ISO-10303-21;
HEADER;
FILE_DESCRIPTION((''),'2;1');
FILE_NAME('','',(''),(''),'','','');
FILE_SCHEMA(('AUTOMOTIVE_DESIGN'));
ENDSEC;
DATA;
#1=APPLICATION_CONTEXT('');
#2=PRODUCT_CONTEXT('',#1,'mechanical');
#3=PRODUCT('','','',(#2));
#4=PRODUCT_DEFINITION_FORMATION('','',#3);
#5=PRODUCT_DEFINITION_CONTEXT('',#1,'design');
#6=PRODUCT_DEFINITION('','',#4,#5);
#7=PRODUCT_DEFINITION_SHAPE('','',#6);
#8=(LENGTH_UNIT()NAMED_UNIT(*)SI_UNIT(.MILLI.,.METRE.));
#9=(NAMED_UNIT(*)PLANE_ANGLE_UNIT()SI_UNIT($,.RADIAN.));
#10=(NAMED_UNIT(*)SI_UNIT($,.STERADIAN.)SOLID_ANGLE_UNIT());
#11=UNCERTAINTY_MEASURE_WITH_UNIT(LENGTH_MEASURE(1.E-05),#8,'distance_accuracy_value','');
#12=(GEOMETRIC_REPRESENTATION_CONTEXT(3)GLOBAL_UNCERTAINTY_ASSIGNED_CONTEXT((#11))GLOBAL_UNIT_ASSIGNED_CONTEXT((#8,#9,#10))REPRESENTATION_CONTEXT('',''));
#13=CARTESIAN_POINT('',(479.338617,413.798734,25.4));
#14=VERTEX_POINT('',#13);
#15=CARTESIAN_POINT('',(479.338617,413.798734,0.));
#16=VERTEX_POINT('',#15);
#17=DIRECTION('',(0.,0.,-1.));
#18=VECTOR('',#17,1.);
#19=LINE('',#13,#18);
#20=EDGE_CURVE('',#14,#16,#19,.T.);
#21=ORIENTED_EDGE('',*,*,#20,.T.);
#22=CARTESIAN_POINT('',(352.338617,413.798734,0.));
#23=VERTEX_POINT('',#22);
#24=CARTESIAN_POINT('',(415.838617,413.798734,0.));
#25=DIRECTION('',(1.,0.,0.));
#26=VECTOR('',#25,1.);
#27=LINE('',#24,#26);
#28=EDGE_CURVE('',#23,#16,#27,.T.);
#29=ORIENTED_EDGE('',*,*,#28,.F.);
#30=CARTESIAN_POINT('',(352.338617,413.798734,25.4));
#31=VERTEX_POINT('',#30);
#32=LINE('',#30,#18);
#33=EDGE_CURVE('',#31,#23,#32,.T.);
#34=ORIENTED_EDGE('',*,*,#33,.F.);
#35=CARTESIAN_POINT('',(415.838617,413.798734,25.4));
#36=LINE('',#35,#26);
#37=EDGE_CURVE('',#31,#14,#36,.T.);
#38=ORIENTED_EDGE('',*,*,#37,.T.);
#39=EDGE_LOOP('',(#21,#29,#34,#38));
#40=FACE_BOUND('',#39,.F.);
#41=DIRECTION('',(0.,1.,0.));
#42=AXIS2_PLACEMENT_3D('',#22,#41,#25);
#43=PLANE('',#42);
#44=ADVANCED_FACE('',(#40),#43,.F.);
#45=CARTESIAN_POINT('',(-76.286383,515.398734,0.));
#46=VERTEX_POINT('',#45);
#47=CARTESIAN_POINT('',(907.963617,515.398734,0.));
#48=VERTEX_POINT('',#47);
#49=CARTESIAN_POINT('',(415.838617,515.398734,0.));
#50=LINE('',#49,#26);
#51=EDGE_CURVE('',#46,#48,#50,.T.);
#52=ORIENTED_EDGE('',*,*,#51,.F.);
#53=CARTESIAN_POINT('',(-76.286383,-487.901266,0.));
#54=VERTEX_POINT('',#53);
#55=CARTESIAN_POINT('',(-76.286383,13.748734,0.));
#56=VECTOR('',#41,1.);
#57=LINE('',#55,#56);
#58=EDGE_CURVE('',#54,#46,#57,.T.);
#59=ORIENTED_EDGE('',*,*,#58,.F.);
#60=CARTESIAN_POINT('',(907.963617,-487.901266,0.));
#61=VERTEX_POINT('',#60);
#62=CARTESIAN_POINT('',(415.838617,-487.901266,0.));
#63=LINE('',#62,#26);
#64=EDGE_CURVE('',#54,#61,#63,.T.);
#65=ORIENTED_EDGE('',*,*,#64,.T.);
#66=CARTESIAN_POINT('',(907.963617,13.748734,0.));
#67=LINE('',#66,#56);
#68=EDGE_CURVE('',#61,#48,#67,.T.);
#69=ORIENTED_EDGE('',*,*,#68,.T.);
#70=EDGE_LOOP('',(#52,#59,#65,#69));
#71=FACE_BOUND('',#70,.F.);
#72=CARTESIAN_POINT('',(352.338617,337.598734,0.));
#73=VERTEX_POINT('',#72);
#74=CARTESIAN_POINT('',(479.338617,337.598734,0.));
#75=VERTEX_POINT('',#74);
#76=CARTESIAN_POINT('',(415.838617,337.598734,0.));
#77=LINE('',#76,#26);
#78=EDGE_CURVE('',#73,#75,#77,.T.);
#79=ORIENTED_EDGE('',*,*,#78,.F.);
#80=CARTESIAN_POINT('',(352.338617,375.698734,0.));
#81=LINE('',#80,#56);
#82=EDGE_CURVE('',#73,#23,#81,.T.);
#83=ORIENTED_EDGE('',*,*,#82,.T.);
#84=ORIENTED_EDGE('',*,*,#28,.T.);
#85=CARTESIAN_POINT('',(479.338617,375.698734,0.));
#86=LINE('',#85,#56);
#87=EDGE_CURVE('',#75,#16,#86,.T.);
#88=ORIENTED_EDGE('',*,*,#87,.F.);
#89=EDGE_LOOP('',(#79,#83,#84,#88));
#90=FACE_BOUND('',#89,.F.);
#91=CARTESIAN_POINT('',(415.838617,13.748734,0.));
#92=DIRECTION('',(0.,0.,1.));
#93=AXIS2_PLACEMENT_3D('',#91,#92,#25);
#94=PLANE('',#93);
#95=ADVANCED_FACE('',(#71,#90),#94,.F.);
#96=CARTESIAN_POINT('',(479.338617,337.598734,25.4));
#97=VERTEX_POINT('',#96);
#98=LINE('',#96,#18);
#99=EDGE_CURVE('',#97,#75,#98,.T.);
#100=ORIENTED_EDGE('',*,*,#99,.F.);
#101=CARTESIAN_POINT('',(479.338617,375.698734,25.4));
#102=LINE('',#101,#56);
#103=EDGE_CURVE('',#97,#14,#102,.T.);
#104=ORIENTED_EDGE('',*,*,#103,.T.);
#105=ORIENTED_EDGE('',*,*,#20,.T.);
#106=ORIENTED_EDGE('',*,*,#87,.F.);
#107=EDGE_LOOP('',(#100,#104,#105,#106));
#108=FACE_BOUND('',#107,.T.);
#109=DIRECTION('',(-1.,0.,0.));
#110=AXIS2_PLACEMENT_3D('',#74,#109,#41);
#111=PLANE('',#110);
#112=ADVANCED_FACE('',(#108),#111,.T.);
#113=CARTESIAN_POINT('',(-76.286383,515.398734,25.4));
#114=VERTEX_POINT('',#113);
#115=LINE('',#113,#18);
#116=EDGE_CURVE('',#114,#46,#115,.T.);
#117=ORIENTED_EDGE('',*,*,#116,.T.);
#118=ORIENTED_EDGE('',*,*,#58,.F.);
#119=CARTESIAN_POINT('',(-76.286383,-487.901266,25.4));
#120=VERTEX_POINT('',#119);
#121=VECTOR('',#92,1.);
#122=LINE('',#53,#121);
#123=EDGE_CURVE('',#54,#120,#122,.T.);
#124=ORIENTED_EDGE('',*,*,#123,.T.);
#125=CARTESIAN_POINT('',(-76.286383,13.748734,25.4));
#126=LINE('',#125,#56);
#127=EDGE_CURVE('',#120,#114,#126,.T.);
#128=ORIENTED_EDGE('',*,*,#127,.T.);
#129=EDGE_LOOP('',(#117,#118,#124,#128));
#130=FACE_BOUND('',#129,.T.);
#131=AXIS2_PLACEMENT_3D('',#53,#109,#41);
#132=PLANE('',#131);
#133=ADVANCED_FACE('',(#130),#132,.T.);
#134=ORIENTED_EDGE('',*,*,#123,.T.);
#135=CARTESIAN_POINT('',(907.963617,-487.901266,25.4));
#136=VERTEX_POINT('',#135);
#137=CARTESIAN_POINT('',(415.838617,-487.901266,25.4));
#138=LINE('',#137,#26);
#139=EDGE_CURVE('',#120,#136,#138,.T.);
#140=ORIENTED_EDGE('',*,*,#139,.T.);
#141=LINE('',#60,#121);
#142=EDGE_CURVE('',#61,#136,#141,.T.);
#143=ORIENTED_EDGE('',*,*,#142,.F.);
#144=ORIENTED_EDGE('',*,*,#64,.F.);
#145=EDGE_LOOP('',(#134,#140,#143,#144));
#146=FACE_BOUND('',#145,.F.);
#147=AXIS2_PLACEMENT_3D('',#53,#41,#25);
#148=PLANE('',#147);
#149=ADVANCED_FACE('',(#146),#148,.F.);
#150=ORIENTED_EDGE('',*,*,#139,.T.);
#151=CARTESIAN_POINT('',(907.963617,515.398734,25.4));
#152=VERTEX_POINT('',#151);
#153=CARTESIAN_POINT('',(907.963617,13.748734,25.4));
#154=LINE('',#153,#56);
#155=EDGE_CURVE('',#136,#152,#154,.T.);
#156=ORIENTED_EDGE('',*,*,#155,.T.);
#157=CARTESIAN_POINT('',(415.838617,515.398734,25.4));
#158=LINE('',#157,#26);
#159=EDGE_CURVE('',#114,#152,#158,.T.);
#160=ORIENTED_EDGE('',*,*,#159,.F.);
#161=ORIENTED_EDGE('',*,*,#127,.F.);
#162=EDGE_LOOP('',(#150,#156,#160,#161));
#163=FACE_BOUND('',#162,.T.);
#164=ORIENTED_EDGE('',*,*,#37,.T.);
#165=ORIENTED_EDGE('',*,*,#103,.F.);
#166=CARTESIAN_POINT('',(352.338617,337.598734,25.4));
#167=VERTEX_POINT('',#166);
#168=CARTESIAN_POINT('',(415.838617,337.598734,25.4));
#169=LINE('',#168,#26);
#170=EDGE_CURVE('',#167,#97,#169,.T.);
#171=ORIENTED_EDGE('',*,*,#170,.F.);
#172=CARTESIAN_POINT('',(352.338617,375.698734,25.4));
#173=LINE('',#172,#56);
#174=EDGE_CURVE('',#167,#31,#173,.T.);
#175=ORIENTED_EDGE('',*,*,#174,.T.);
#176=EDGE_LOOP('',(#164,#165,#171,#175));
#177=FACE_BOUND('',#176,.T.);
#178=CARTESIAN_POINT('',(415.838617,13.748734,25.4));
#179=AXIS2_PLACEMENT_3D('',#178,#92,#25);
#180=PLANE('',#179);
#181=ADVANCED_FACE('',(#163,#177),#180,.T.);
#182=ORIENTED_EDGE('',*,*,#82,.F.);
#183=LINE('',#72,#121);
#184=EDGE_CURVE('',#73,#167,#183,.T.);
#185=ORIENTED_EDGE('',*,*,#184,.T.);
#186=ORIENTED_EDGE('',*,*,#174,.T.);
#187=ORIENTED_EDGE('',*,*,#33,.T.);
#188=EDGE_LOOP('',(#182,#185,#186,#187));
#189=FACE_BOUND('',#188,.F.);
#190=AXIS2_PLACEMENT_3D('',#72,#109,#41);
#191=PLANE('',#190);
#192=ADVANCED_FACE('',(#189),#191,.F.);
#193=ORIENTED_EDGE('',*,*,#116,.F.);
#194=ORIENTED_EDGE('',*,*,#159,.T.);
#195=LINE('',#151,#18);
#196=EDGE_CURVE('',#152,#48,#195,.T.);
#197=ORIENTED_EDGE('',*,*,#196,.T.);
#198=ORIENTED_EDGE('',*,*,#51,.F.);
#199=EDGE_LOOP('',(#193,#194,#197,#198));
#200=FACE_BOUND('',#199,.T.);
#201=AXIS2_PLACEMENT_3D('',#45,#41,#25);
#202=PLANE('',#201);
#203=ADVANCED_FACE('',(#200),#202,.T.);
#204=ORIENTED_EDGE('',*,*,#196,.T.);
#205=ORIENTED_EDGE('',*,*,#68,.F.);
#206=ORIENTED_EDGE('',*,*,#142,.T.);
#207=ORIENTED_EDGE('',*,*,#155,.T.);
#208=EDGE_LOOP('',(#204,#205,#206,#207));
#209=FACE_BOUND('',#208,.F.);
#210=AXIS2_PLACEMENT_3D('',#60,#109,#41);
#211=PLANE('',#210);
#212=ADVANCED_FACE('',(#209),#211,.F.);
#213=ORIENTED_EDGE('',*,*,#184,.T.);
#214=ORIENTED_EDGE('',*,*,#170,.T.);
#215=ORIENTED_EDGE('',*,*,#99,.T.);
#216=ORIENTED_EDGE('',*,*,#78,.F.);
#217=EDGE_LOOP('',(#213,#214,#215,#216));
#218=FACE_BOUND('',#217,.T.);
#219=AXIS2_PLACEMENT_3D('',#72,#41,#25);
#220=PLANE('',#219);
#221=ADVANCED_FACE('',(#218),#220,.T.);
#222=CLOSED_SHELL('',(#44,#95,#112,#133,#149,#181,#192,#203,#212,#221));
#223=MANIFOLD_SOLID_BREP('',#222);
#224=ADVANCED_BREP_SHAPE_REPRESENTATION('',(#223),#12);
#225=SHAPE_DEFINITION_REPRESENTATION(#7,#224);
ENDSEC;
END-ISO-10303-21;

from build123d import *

# Parameters (mm, degrees)
F0_W     = 984.25
F0_H     = 1003.3
F0_W_2   = 127
F0_H_2   = 76.2
F1_DEPTH = 6.35
F2_DEPTH = 25.4
F3_DEPTH = 25.4


with BuildPart() as f1:
    # F0 (on Top) → F1 (new body)
    with BuildSketch(Plane.XY):
        with Locations((415.838617, 13.748734)):
            Rectangle(F0_W, F0_H)
        with Locations((415.838617, 375.698734)):
            Rectangle(F0_W_2, F0_H_2, mode=Mode.SUBTRACT)
    extrude(amount=F1_DEPTH)

    # F0 (on Top) → F2 (join)
    with BuildSketch(Plane.XY):
        with Locations((415.838617, 13.748734)):
            Rectangle(F0_W, F0_H)
        with Locations((415.838617, 375.698734)):
            Rectangle(F0_W_2, F0_H_2, mode=Mode.SUBTRACT)
    extrude(amount=F2_DEPTH)

    # F0 (on Top) → F3 (join)
    with BuildSketch(Plane.XY):
        with Locations((415.838617, 13.748734)):
            Rectangle(F0_W, F0_H)
        with Locations((415.838617, 375.698734)):
            Rectangle(F0_W_2, F0_H_2, mode=Mode.SUBTRACT)
    extrude(amount=F3_DEPTH)


solid = f1.part
